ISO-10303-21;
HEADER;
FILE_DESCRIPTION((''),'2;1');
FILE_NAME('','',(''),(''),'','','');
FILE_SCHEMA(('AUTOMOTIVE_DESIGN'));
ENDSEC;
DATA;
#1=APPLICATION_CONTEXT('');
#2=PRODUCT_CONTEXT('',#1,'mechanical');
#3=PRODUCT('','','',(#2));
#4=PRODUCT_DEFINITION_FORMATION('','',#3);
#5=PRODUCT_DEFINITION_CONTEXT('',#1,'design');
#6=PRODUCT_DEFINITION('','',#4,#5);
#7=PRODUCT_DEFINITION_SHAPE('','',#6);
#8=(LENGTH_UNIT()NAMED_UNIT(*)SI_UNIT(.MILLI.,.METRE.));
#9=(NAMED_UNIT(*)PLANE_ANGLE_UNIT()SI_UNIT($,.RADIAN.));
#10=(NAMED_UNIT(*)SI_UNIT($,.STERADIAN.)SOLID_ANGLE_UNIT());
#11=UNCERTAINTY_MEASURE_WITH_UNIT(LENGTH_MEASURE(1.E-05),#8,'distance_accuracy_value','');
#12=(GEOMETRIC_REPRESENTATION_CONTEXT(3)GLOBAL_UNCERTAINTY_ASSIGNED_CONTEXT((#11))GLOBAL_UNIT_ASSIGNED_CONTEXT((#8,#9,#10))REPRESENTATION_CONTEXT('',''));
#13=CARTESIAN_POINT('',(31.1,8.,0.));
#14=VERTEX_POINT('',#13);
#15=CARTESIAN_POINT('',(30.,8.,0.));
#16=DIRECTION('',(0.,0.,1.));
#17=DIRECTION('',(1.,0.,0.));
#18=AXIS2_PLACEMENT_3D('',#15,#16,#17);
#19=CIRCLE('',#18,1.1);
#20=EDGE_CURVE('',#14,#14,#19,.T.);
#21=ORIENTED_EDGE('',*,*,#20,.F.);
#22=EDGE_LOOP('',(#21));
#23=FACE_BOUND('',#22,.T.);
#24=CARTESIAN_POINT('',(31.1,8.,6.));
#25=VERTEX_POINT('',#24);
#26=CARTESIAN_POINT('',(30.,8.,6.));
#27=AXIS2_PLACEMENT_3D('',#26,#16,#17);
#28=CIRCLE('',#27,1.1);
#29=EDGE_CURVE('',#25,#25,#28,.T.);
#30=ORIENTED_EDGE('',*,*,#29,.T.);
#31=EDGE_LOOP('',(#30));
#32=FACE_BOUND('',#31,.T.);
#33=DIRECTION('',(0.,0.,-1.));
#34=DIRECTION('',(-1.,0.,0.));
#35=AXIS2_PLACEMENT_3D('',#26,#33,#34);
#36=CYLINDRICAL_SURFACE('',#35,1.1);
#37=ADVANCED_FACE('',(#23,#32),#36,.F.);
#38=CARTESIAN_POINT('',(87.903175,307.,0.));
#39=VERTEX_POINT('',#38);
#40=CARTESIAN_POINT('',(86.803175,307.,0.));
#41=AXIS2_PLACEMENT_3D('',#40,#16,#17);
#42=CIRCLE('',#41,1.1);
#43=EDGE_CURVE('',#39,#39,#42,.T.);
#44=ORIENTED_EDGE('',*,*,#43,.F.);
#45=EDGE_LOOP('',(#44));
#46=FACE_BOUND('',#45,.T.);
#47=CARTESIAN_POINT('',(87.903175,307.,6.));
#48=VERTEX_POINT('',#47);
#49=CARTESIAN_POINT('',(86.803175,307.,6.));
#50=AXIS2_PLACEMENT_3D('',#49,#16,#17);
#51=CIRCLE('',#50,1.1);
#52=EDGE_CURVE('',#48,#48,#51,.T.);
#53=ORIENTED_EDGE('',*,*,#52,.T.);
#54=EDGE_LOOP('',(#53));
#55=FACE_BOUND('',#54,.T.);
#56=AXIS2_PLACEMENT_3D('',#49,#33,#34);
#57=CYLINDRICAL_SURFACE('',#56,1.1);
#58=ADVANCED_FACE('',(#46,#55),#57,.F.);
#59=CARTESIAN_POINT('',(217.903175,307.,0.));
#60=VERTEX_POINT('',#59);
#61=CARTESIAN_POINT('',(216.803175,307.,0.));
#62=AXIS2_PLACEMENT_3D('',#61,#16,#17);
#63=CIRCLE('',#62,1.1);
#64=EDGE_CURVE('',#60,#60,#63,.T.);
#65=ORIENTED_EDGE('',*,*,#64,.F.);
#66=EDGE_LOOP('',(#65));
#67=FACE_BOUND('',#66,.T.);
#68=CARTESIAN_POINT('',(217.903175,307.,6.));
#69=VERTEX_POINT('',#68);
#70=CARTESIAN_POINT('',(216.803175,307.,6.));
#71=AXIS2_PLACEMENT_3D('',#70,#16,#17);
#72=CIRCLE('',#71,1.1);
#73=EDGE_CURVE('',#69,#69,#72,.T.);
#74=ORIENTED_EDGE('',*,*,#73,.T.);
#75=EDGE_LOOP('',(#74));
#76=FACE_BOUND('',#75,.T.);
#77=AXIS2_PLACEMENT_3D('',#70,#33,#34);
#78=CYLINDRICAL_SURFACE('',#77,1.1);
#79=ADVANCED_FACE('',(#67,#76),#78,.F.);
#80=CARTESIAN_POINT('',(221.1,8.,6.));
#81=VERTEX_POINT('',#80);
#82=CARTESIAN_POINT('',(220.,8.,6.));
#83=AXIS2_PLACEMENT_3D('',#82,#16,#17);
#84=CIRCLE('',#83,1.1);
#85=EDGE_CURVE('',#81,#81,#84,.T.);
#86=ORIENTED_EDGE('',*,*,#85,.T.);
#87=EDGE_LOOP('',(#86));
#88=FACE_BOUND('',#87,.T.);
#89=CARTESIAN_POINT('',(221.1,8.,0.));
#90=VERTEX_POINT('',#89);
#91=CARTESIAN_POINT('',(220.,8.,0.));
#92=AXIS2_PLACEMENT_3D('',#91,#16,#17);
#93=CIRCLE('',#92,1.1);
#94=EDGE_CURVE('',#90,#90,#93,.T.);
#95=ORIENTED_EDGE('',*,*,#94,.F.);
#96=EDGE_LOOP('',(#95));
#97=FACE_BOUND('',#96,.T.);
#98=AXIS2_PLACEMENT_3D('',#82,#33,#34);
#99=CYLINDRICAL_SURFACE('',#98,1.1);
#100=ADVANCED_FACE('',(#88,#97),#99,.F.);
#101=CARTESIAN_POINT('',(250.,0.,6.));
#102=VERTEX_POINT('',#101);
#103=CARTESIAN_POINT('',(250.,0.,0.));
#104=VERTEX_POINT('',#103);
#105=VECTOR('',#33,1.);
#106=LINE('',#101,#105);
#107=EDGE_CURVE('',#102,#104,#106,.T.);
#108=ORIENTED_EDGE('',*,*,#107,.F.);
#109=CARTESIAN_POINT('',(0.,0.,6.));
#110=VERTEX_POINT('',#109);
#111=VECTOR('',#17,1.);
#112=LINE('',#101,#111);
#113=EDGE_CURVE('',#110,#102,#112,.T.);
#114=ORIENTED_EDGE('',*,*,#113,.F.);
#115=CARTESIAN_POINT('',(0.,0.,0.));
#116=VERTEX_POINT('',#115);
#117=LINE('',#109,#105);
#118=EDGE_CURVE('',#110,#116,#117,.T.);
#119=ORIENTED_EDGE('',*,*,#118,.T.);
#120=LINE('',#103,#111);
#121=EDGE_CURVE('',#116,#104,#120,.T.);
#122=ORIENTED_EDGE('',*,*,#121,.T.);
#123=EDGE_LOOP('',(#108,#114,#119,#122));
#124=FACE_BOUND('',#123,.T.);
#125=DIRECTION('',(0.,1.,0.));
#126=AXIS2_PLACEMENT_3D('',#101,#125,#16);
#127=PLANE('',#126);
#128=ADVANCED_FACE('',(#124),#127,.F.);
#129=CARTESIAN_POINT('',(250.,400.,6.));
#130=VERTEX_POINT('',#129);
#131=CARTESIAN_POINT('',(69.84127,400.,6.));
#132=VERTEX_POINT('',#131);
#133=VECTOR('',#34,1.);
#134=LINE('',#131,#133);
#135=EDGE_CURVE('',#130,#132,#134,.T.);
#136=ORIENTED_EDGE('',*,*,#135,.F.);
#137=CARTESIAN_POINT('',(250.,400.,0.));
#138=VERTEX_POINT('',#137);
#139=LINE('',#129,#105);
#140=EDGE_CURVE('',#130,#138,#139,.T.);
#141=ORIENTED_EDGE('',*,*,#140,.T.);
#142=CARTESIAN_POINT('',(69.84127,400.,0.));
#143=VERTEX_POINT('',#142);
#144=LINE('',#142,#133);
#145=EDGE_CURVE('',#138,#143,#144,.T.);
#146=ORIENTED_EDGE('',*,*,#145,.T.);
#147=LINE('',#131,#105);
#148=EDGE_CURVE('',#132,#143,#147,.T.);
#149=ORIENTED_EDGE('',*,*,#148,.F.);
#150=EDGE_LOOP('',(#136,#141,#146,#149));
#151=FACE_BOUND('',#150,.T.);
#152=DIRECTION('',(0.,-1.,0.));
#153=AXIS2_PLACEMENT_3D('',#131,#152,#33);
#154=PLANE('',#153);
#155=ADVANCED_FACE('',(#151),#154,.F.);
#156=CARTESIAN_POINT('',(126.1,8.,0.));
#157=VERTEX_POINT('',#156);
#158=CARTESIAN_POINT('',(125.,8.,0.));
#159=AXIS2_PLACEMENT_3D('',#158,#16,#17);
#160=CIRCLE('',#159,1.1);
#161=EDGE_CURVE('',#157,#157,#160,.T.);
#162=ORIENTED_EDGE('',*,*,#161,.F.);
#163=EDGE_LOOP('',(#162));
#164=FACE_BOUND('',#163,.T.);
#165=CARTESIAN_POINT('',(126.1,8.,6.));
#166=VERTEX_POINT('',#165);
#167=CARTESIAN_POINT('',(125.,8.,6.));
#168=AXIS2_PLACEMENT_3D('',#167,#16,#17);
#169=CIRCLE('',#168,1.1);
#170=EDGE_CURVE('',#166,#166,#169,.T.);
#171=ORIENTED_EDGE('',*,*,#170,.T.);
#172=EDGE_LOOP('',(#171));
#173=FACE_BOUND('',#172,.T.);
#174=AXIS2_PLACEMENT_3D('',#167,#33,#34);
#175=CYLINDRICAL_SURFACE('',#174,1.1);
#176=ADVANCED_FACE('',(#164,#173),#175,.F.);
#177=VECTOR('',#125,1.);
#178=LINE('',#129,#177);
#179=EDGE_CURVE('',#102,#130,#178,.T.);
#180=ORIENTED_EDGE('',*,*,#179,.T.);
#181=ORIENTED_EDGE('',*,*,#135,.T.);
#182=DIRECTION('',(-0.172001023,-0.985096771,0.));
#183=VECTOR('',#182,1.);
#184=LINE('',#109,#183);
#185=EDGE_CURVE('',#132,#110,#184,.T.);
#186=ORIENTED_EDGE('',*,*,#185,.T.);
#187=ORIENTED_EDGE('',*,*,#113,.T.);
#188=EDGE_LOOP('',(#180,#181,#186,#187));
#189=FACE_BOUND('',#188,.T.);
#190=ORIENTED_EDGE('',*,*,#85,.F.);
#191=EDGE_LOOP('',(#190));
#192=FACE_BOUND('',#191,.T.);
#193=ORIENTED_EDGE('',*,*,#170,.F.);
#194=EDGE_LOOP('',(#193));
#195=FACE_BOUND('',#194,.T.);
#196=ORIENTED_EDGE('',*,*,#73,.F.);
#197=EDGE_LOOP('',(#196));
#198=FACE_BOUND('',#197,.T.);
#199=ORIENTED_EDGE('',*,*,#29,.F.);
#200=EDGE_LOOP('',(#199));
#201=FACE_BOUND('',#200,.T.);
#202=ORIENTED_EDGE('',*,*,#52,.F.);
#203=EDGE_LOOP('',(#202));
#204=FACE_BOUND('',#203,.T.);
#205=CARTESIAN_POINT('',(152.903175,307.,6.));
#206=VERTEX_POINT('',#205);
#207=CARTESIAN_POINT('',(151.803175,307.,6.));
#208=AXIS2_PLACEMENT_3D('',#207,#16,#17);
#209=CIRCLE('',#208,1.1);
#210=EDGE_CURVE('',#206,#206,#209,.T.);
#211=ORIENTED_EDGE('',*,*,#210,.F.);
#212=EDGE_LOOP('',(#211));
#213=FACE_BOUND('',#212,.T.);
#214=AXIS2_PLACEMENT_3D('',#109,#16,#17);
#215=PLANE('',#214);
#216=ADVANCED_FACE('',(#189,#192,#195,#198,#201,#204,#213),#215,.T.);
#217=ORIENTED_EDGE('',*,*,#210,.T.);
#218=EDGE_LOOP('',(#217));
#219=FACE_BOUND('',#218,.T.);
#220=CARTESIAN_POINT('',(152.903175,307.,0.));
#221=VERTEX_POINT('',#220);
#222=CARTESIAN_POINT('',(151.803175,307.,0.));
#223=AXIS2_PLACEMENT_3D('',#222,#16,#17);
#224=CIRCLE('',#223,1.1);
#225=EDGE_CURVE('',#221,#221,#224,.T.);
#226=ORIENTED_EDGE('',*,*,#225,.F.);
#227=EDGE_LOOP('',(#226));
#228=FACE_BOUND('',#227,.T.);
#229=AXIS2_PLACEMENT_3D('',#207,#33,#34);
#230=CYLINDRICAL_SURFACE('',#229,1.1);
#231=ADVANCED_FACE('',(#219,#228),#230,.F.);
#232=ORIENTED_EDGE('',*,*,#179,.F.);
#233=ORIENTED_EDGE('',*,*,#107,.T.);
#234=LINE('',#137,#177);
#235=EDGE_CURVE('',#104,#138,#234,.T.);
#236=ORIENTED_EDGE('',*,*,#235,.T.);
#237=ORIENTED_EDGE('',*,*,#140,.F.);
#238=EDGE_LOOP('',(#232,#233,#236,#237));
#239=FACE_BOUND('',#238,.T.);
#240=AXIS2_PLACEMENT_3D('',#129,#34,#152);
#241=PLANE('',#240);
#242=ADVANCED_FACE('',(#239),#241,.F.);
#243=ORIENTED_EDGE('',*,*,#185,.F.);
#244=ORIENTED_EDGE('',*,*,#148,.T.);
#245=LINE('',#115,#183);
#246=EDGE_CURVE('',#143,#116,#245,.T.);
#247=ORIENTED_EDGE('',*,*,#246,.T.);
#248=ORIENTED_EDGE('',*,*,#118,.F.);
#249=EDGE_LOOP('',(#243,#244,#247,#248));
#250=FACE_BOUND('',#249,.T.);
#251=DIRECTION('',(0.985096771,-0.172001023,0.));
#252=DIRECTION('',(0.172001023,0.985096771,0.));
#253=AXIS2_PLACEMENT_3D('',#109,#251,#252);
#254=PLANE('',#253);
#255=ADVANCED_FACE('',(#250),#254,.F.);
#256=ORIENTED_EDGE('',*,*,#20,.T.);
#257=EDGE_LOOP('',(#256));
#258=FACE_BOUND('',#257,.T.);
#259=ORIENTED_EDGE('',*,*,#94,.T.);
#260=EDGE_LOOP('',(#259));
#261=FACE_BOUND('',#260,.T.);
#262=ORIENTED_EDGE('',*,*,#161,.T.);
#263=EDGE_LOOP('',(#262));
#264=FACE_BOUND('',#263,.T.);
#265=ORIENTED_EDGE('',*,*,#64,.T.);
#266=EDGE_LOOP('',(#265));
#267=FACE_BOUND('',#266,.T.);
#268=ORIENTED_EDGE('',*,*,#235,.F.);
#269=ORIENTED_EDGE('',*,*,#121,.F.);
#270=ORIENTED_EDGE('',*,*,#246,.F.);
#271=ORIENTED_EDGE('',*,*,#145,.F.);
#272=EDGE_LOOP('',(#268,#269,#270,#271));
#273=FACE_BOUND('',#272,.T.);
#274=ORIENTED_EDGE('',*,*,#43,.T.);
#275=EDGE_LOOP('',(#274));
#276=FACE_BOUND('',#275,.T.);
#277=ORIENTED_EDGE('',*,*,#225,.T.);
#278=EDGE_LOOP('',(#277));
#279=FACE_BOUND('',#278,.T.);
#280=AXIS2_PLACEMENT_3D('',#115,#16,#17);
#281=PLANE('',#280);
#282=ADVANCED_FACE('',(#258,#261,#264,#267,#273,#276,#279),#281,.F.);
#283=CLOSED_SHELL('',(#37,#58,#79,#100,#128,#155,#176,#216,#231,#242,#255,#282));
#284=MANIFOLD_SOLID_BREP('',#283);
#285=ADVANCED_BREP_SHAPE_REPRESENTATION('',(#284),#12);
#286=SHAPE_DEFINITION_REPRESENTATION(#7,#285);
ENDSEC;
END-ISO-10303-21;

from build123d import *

# Parameters (mm, degrees)
SKETCH_1_R      = 1.1
EXTRUDE_1_DEPTH = 6


with BuildPart() as part:
    # Эскиз1 → Бобышка-Вытянуть1 (new body)
    with BuildSketch(Plane.XY):
        Polygon((0, 0), (69.841269841, 400), (250, 400), (250, 0), align=None)
        with Locations((86.803174603, 307)):
            Circle(SKETCH_1_R, mode=Mode.SUBTRACT)
        with Locations((151.803174603, 307)):
            Circle(SKETCH_1_R, mode=Mode.SUBTRACT)
        with Locations((30, 8)):
            Circle(SKETCH_1_R, mode=Mode.SUBTRACT)
        with Locations((220, 8)):
            Circle(SKETCH_1_R, mode=Mode.SUBTRACT)
        with Locations((125, 8)):
            Circle(SKETCH_1_R, mode=Mode.SUBTRACT)
        with Locations((216.803174603, 307)):
            Circle(SKETCH_1_R, mode=Mode.SUBTRACT)
    extrude(amount=EXTRUDE_1_DEPTH)


solid = part.part
